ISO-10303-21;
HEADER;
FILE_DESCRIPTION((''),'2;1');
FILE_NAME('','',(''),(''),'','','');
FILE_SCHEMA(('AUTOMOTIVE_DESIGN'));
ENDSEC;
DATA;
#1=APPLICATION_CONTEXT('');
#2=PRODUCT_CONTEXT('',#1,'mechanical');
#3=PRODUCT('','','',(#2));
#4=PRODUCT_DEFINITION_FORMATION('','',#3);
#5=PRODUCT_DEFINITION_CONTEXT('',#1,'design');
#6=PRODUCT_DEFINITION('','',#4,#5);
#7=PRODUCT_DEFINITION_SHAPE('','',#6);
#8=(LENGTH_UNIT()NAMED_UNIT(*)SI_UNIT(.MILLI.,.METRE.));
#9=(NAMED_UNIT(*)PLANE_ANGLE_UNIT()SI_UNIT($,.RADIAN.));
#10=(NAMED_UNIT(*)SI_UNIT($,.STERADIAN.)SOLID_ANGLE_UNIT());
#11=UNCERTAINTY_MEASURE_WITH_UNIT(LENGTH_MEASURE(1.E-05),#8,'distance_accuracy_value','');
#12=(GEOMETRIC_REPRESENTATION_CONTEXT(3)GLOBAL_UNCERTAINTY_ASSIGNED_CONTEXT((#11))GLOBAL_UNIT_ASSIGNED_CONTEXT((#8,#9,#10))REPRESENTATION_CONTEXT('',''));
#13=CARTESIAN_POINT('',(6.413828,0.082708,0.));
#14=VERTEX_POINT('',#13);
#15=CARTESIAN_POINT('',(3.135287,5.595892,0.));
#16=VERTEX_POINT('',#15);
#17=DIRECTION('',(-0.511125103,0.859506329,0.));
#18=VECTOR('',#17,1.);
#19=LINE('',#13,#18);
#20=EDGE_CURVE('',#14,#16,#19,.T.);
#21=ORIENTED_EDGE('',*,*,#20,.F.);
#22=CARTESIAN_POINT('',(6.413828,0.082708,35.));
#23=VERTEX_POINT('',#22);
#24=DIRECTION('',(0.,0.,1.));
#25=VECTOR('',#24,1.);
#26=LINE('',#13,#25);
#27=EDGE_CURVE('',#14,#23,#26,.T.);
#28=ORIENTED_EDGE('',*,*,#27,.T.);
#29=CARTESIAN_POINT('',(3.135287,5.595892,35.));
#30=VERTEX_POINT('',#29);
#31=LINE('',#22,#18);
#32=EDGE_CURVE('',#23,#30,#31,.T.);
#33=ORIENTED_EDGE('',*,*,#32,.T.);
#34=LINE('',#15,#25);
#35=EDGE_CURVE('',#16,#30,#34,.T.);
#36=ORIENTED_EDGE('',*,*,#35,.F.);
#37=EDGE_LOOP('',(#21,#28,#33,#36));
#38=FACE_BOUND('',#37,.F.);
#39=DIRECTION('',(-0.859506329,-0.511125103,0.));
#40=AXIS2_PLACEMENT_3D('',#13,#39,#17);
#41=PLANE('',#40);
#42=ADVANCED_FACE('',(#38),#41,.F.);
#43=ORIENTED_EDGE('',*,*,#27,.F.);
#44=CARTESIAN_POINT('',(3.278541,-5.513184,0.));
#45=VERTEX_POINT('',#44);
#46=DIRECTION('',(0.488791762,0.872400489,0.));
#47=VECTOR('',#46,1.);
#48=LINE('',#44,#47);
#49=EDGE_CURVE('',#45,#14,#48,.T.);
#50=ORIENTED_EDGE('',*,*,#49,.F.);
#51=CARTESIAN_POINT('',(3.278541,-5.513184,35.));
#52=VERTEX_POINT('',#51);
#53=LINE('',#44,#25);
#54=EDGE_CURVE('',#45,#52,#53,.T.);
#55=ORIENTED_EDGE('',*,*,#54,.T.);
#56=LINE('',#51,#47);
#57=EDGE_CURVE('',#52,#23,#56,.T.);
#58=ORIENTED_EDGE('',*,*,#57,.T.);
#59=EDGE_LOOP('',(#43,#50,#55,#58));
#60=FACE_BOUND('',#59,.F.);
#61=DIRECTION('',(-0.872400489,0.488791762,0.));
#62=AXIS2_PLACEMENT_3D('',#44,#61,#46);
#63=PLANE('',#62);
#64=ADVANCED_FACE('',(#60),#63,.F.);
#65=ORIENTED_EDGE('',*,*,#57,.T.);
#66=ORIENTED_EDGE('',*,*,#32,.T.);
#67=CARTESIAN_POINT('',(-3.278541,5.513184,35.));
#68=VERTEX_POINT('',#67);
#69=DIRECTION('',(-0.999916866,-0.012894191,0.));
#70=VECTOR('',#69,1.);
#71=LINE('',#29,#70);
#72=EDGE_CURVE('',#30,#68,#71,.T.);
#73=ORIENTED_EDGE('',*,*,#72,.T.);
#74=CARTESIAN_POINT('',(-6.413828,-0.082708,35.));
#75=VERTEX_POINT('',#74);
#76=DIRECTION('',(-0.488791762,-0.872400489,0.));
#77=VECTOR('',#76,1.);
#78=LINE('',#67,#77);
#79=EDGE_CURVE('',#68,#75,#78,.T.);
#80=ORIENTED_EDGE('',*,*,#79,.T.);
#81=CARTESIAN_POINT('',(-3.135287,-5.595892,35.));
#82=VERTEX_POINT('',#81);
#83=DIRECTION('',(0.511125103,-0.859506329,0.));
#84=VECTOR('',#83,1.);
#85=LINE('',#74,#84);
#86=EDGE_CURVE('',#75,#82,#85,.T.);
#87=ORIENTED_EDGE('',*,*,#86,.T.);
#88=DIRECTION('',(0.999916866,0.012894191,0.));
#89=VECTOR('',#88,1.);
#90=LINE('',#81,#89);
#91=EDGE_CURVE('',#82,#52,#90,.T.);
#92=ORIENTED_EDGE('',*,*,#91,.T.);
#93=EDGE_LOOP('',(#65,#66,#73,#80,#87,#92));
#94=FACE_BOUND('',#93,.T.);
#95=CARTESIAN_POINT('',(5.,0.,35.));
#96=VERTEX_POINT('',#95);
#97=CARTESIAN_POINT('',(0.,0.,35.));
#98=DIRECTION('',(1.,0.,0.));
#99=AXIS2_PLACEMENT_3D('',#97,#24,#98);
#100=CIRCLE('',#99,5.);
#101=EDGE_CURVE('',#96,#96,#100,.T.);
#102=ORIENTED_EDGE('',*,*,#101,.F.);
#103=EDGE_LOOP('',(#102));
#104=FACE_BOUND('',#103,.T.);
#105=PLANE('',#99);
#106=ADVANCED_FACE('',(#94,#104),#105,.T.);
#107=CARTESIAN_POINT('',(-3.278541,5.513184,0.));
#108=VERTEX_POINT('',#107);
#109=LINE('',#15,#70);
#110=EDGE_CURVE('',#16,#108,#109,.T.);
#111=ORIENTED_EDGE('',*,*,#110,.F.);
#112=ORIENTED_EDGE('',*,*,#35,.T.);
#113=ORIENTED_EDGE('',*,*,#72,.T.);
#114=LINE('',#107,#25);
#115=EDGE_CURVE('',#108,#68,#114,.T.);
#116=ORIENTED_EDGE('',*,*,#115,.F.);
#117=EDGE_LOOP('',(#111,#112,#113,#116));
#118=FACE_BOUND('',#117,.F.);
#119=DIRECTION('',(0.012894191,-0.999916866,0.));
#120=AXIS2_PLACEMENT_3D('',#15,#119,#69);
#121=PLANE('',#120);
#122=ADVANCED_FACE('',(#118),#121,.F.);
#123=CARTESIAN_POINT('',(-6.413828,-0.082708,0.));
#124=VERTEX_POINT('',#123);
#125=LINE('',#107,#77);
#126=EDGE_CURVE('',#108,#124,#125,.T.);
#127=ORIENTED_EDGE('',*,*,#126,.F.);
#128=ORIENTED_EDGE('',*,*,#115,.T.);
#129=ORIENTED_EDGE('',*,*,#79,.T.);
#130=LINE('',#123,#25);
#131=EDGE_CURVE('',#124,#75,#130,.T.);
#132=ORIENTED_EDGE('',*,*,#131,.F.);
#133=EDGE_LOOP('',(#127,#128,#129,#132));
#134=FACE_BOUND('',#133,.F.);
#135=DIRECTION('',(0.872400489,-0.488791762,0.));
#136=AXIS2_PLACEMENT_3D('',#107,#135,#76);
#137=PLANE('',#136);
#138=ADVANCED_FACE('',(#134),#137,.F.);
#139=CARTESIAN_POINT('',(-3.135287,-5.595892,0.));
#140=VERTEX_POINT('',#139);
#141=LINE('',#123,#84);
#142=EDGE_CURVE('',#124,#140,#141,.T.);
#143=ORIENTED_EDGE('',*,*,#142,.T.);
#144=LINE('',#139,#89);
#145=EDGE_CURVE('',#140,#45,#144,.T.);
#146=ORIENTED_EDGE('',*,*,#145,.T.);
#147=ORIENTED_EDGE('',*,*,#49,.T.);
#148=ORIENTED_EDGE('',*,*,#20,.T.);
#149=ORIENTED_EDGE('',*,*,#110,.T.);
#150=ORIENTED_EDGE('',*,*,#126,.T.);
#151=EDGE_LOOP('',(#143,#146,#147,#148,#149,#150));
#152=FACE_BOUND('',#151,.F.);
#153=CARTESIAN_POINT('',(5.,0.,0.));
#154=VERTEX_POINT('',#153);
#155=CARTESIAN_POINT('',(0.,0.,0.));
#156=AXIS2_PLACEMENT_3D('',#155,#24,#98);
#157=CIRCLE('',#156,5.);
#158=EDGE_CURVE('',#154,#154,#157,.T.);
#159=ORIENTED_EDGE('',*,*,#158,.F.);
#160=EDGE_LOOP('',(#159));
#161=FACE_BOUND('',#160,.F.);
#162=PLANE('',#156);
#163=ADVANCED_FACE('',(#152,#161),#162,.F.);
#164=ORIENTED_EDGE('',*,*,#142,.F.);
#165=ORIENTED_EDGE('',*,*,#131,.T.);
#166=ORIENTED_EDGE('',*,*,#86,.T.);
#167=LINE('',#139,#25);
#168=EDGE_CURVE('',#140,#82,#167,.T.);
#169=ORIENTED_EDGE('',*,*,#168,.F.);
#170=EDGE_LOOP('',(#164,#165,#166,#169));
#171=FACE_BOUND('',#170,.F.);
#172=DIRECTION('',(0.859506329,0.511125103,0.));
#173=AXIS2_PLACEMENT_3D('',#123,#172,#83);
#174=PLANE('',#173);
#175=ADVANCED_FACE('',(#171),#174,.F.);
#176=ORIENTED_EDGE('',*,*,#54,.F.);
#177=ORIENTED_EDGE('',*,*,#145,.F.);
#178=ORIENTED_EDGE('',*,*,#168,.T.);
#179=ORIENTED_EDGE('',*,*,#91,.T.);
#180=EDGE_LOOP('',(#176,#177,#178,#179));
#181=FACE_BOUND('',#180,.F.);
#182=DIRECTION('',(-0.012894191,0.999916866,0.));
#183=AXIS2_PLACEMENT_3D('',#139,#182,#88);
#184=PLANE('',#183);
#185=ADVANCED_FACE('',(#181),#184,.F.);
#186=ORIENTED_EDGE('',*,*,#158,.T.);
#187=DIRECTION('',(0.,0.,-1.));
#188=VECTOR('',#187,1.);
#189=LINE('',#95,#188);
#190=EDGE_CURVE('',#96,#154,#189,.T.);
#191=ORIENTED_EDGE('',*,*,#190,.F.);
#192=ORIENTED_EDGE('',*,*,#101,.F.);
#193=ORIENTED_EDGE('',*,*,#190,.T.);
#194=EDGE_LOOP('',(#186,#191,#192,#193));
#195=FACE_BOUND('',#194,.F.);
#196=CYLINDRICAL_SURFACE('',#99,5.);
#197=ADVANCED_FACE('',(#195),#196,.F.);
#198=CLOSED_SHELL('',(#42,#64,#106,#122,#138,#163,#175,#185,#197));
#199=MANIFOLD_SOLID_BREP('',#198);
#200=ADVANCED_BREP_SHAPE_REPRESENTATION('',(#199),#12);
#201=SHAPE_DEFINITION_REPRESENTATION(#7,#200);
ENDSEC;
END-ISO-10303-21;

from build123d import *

# Parameters (mm, degrees)
F1_DEPTH = 35
F2_R     = 5
F3_DEPTH = 35


with BuildPart() as f1:
    # F0 (on Top) → F1 (new body)
    with BuildSketch(Plane.XY):
        Polygon((-3.278541, 5.513184), (-6.413828, -0.082708), (-3.135287, -5.595892), (3.278541, -5.513184), (6.413828, 0.082708), (3.135287, 5.595892), align=None)
    extrude(amount=F1_DEPTH)

    # F2 (on face) → F3 (cut)
    with BuildSketch(Plane.XY.offset(35)):
        Circle(F2_R)
    extrude(amount=-F3_DEPTH, mode=Mode.SUBTRACT)


solid = f1.part
